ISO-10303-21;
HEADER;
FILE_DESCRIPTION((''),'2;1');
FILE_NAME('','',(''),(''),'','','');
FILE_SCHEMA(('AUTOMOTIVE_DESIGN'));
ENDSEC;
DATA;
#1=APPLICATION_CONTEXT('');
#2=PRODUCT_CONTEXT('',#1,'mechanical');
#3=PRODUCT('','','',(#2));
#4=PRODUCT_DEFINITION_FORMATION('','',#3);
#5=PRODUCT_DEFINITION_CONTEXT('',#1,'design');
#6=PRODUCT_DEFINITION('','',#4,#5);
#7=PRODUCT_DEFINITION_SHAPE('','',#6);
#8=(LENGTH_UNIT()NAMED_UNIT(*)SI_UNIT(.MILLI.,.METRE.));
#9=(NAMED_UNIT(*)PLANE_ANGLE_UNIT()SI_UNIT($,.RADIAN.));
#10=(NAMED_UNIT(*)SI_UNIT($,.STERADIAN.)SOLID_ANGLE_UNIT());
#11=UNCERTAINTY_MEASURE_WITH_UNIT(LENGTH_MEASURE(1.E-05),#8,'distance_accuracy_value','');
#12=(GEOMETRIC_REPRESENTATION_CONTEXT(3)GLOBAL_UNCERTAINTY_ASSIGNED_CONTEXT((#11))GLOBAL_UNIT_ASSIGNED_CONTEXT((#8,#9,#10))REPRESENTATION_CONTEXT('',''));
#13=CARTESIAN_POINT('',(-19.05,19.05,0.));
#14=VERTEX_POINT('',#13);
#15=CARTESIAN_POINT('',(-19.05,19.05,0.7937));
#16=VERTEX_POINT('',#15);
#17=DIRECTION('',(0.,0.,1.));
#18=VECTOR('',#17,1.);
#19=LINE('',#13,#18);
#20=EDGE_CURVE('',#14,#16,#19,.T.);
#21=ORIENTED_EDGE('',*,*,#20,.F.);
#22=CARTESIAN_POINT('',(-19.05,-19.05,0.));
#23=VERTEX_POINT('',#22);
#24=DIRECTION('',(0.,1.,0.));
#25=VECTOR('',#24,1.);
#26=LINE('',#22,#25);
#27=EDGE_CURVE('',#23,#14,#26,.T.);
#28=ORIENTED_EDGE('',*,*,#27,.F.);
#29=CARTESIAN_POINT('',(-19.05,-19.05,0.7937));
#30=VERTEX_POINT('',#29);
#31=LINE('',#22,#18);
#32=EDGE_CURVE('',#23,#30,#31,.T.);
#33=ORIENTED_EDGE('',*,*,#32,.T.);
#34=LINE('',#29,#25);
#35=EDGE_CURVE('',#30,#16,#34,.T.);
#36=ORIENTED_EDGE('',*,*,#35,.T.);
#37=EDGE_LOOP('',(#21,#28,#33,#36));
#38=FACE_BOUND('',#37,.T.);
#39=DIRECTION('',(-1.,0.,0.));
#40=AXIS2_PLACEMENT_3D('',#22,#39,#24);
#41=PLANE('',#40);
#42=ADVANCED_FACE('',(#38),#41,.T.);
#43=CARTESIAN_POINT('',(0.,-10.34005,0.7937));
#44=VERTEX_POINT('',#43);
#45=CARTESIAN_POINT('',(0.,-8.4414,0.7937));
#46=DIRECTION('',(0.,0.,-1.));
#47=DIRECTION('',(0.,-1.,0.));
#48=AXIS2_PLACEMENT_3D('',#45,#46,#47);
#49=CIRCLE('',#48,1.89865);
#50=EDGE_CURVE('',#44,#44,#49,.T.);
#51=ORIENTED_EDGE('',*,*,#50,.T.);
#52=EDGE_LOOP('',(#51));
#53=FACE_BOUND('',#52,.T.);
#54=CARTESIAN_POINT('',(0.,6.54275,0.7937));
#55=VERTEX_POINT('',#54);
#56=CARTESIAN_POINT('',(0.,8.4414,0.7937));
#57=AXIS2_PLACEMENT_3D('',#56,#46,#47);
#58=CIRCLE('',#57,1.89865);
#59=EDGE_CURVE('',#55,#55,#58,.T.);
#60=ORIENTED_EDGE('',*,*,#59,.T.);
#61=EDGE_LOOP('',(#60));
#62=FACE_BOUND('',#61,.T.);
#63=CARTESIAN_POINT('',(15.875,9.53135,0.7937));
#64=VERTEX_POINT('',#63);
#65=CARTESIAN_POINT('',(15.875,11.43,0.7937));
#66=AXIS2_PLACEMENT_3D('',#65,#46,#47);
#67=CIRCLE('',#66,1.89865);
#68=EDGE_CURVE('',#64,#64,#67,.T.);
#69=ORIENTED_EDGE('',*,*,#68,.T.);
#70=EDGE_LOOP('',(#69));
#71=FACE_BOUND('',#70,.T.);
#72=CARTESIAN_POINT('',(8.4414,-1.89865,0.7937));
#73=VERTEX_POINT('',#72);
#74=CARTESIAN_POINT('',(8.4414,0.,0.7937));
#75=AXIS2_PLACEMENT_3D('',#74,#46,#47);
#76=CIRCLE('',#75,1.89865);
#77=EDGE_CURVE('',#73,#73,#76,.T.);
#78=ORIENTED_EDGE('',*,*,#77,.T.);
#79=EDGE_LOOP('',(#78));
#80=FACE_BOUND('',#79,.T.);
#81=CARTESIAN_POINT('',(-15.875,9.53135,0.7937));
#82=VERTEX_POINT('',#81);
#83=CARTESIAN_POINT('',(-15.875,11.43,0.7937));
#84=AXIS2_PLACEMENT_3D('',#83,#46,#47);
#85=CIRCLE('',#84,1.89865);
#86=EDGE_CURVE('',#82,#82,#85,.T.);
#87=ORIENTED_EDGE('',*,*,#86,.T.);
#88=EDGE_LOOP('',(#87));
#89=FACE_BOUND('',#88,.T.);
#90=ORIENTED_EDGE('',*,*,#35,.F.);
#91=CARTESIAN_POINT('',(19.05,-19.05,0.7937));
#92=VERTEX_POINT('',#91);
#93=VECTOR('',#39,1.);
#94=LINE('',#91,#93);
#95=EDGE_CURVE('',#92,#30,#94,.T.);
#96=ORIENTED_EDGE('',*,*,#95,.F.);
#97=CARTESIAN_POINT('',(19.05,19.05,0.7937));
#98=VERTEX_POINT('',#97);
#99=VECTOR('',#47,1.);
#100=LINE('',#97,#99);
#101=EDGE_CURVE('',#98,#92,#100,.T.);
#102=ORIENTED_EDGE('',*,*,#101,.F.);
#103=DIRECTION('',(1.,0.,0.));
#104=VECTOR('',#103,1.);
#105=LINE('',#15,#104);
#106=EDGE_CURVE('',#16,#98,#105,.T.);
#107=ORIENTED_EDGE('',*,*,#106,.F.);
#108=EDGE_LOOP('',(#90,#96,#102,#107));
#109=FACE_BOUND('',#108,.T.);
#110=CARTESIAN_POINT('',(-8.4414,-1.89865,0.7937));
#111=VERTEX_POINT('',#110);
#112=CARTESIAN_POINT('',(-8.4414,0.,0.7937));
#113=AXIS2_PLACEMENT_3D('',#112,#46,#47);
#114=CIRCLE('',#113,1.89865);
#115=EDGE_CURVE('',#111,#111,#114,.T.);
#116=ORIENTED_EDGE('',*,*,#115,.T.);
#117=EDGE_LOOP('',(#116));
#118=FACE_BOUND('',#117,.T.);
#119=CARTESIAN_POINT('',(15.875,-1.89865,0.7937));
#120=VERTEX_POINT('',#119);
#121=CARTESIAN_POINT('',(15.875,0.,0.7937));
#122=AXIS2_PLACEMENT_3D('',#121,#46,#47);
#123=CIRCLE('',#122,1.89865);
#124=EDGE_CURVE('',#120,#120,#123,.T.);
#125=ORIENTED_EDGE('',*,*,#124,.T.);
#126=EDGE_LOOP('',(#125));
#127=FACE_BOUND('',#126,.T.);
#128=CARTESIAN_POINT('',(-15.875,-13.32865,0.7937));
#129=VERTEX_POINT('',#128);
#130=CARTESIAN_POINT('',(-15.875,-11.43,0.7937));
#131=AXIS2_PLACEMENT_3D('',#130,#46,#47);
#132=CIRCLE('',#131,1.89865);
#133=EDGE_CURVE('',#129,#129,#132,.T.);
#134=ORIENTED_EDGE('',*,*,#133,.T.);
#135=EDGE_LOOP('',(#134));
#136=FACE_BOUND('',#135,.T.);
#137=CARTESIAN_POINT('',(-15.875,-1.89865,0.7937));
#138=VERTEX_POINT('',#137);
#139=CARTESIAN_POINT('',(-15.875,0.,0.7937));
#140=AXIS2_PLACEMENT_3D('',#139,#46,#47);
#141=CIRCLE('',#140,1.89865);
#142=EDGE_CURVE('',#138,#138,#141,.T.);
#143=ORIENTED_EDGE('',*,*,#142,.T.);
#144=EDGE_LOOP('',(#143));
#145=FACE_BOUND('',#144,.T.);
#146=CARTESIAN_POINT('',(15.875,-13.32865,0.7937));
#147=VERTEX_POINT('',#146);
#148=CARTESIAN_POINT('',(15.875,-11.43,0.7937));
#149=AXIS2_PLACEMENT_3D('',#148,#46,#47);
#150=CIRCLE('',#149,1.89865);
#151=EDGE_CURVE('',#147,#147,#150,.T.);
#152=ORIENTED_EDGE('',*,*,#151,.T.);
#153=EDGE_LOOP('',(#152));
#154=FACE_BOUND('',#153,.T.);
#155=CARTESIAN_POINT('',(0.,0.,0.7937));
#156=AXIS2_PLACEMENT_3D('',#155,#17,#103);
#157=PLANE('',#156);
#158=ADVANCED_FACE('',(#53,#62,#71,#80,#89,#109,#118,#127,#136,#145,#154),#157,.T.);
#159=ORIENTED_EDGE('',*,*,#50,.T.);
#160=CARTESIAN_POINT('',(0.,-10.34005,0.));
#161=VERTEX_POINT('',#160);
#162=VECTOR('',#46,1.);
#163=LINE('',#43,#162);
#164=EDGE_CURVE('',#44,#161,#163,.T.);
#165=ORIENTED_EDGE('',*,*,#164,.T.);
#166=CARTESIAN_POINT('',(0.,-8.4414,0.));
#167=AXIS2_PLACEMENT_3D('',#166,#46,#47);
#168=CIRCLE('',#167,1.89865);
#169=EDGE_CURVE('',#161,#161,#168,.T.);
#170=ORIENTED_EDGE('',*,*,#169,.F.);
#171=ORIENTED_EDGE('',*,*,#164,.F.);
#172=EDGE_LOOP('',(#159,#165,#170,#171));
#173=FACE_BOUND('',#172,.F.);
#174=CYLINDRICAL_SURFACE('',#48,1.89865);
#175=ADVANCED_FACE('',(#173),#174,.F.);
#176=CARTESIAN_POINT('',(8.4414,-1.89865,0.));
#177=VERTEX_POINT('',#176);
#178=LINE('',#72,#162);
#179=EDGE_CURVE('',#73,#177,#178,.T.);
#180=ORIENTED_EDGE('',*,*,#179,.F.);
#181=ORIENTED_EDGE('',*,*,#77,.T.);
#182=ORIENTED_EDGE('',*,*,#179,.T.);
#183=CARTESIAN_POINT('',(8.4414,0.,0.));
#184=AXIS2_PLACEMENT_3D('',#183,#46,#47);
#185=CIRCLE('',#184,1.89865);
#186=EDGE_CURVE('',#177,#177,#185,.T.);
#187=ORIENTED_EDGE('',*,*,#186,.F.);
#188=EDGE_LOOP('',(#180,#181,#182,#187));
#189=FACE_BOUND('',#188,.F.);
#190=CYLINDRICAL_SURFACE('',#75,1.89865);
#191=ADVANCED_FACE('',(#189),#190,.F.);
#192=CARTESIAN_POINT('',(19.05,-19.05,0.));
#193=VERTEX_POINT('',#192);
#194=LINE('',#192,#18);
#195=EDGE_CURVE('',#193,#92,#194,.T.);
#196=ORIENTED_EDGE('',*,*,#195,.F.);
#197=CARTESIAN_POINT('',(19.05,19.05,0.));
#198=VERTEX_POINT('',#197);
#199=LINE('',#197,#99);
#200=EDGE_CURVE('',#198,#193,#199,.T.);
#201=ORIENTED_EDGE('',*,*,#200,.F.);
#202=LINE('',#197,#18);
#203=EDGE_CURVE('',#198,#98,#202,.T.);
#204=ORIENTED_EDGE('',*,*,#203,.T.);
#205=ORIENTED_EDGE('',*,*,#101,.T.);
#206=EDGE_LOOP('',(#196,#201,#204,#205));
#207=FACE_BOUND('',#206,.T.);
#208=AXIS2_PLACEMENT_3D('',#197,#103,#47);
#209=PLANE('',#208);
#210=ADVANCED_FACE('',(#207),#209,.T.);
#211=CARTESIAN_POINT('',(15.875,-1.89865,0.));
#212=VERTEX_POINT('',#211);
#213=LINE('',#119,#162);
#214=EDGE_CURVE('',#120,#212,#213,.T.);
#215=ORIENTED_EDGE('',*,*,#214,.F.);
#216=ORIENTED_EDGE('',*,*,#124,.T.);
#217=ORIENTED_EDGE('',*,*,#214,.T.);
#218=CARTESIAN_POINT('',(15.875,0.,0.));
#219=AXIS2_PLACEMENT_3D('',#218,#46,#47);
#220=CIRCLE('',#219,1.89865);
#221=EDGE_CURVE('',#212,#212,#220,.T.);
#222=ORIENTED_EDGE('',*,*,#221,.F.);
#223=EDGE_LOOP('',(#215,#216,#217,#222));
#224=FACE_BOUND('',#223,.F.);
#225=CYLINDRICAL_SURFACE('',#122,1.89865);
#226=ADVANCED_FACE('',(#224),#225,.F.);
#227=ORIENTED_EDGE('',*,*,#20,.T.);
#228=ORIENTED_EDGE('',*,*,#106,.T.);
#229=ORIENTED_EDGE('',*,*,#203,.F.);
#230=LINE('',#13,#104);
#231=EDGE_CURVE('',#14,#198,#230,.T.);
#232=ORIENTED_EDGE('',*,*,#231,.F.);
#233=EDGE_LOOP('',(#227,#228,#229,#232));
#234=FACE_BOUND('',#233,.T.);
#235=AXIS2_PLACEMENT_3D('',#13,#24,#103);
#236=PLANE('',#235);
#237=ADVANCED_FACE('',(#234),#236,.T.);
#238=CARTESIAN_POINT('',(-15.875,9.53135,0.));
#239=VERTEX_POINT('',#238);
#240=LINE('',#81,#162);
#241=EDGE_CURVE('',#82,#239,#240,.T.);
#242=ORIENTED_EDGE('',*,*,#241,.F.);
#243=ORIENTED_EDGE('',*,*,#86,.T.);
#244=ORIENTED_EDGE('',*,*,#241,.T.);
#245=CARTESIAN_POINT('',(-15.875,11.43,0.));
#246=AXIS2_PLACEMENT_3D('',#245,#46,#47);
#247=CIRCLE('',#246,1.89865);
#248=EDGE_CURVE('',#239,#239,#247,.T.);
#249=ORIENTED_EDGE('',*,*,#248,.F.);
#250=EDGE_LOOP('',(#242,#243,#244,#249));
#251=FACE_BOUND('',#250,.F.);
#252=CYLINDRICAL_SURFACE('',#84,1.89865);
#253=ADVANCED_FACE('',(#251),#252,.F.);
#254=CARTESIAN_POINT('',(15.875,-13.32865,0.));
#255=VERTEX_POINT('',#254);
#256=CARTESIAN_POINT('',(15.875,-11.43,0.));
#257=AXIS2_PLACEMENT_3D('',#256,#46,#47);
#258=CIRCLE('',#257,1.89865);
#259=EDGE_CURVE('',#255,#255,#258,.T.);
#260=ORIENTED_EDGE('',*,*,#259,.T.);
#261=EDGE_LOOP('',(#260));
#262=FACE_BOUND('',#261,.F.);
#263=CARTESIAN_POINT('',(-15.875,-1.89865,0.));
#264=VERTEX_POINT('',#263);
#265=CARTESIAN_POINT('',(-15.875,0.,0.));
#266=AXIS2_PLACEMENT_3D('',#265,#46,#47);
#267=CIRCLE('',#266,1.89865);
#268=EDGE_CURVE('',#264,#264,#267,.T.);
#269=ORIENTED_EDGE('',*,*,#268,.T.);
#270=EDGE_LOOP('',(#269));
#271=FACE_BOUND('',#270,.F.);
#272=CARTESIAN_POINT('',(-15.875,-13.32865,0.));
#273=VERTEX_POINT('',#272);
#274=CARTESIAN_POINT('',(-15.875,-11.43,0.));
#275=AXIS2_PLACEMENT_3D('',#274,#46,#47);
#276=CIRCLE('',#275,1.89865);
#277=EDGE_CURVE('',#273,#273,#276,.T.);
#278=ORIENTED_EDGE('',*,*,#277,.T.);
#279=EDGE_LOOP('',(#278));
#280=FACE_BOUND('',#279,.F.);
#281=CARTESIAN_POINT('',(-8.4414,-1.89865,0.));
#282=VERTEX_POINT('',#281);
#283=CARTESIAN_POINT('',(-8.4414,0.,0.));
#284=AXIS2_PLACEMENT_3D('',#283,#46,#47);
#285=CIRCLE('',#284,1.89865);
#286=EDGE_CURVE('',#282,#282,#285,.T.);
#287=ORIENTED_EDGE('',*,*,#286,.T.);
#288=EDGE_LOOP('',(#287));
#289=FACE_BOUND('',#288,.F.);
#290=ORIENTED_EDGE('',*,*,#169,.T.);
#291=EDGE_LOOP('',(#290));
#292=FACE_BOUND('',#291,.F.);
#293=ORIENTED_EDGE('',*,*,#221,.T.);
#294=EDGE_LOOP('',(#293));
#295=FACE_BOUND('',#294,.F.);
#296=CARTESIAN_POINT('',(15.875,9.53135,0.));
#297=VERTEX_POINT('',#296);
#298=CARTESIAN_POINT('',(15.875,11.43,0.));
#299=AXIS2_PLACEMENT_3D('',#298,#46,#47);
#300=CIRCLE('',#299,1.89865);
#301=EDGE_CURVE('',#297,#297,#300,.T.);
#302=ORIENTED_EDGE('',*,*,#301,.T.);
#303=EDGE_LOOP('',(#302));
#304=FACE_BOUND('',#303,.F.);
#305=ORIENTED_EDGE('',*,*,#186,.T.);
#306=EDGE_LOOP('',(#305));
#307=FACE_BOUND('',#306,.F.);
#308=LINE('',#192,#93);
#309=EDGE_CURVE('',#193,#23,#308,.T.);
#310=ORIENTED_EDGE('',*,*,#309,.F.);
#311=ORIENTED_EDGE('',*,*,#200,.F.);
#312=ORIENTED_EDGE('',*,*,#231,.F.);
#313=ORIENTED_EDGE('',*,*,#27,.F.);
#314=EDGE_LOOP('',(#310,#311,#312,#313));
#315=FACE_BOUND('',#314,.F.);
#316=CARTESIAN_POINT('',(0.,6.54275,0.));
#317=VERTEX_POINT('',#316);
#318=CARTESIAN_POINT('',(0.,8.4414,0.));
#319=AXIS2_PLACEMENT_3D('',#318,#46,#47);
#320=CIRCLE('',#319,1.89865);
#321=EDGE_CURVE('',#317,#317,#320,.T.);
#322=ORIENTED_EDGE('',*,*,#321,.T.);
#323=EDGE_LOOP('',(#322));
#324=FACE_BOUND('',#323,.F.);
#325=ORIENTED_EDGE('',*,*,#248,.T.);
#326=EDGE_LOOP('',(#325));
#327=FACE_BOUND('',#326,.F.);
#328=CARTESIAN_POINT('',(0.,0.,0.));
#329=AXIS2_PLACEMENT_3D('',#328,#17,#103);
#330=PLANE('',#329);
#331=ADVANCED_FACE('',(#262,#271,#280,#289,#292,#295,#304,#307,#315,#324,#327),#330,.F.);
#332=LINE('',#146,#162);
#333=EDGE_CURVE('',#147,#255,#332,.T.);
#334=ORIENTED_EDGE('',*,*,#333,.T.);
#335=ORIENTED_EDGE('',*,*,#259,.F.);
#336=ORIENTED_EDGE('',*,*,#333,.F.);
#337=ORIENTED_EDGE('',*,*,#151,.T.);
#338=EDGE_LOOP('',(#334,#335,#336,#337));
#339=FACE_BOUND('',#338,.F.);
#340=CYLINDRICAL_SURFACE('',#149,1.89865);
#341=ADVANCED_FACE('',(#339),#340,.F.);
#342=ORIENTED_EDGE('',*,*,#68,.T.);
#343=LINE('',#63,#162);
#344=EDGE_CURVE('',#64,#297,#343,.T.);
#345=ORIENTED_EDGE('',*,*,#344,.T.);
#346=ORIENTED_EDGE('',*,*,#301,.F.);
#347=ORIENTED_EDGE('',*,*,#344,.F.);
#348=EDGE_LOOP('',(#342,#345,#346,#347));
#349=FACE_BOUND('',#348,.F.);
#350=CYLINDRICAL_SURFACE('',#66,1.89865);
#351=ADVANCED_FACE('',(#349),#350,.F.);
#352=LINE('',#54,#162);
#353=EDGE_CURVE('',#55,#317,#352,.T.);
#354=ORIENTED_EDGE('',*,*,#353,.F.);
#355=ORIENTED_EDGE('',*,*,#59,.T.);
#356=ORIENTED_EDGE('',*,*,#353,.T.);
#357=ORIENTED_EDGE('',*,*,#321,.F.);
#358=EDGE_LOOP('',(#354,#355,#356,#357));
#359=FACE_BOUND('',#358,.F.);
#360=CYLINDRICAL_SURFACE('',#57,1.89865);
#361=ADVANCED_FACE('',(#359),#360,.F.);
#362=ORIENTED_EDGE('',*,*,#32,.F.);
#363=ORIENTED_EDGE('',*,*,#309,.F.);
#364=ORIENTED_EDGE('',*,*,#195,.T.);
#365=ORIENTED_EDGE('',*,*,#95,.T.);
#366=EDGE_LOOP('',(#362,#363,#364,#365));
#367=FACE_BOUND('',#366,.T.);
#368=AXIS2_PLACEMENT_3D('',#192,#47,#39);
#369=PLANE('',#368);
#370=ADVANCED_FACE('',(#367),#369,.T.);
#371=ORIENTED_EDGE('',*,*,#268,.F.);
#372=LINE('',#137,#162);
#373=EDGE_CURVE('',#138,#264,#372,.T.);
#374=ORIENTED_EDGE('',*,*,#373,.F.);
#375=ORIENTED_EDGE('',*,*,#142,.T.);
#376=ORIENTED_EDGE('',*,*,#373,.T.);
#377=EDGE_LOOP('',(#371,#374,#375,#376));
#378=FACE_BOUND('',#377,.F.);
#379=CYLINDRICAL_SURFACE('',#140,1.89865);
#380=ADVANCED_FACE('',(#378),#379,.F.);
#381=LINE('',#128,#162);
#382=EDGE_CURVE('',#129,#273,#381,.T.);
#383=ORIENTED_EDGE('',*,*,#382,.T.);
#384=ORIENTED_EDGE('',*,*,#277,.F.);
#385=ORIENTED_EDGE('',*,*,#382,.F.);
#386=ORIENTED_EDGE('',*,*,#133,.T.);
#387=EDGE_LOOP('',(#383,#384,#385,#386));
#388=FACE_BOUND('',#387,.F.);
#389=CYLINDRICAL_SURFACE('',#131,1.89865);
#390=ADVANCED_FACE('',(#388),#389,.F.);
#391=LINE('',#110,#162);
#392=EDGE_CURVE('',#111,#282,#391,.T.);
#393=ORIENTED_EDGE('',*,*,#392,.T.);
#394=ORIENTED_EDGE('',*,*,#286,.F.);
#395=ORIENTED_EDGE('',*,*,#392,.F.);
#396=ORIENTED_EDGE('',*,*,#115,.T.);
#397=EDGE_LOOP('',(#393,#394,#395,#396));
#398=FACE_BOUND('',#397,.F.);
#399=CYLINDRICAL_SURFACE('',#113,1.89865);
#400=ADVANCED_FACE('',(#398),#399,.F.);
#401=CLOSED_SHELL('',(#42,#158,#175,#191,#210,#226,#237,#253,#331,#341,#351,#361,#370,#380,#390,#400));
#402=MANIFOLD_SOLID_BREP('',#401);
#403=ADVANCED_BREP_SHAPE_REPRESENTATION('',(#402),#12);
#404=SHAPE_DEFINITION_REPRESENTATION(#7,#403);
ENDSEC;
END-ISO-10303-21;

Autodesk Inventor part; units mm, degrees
ref_plane "YZ Plane" through (0, 0, 0) normal (1, 0, 0) x (0, 1, 0)
ref_plane "XZ Plane" through (0, 0, 0) normal (0, 1, 0) x (-1, 0, 0)
ref_plane "XY Plane" through (0, 0, 0) normal (0, 0, 1) x (1, 0, 0)
sketch "adapter-hole-geometry" plane through (0, 0, 0) normal (0, 0, 1) x (1, 0, 0)
  line L0 (15.875, -11.43) -> (-15.875, -11.43) construction
  line L1 (-15.875, -11.43) -> (-15.875, 11.43) construction
  line L2 (-15.875, 11.43) -> (15.875, 11.43) construction
  line L3 (15.875, 11.43) -> (15.875, -11.43) construction
  line L4 (15.875, -11.43) -> (-15.875, 11.43) construction
  line L5 (-15.875, -11.43) -> (15.875, 11.43) construction
  line L6 (11.43, -15.875) -> (-11.43, -15.875) construction
  line L7 (-11.43, -15.875) -> (-11.43, 15.875) construction
  line L8 (-11.43, 15.875) -> (11.43, 15.875) construction
  line L9 (11.43, 15.875) -> (11.43, -15.875) construction
  line L10 (11.43, -15.875) -> (-11.43, 15.875) construction
  line L11 (-11.43, -15.875) -> (11.43, 15.875) construction
  line L12 (0, -8.4414) -> (8.4414, 0) construction
  line L13 (8.4414, 0) -> (0, 8.4414) construction
  line L14 (0, 8.4414) -> (-8.4414, 0) construction
  line L15 (-8.4414, 0) -> (0, -8.4414) construction
  line L16 (-5.969, -5.969) -> (5.969, 5.969) construction
  line L17 (5.969, -5.969) -> (-5.969, 5.969) construction
  line L18 (-8.4414, -8.4414) -> (8.4414, -8.4414) construction
  line L19 (8.4414, -8.4414) -> (8.4414, 8.4414) construction
  line L20 (8.4414, 8.4414) -> (-8.4414, 8.4414) construction
  line L21 (-8.4414, 8.4414) -> (-8.4414, -8.4414) construction
  line L22 (-8.4414, -8.4414) -> (8.4414, 8.4414) construction
  line L23 (8.4414, -8.4414) -> (-8.4414, 8.4414) construction
  point P0 (0, 0)
  point P1 (0, 8.4414)
  point P2 (8.4414, 0)
  dimension "d29" = 31.75
  dimension "d30" = 22.86
  dimension "d31" = 22.86
  dimension "d32" = 31.75
  dimension "d33" = 11.938
  dimension "d34" = 11.938
  dimension "d42" = 16.8829
  dimension "d43" = 16.8829
  dimension "d58" = 4.445
  dimension "d59" = 7.4336
  dimension "d60" = 5.969
  dimension "d61" = 5.969
  dimension "d62" = 4.445
  dimension "d63" = 7.4336
  dimension "d64" = 9.906
  dimension "d65" = 9.906
  dimension "d66" = 15.875
  dimension "d67" = 5.969
  dimension "d68" = 21.844
  dimension "d69" = 21.844
sketch "Sketch1" plane through (0, 0, 0) normal (0, 0, 1) x (1, 0, 0)
  line L0 (19.05, -19.05) -> (-19.05, -19.05)
  line L1 (-19.05, -19.05) -> (-19.05, 19.05)
  line L2 (-19.05, 19.05) -> (19.05, 19.05)
  line L3 (19.05, 19.05) -> (19.05, -19.05)
  line L4 (19.05, -19.05) -> (-19.05, 19.05) construction
  line L5 (-19.05, -19.05) -> (19.05, 19.05) construction
  point P0 (0, 0)
  dimension "d0" = 38.1
  dimension "d1" = 38.1
extrude "Extrusion1" add sketch "Sketch1" along normal blind 0.7937
sketch "Sketch4" plane through (0, 0, 0.7937) normal (0, 0, 1) x (1, 0, 0)
  line L0 (-19.05, -19.05) -> (19.05, -19.05) construction
  line L1 (19.05, -19.05) -> (19.05, 19.05) construction
  line L2 (19.05, 19.05) -> (-19.05, 19.05) construction
  line L3 (-19.05, 19.05) -> (-19.05, -19.05) construction
  point P0 (0, 0)
  point P1 (-15.875, 11.43)
  point P2 (-15.875, 0)
  point P3 (-15.875, -11.43)
  point P4 (15.875, -11.43)
  point P5 (15.875, 0)
  point P6 (15.875, 11.43)
  point P7 (0, 8.4414)
  point P8 (-8.4414, 0)
  point P9 (0, -8.4414)
  point P10 (8.4414, 0)
  dimension "d44" = 3.175
  dimension "d45" = 3.175
  dimension "d46" = 7.62
  dimension "d47" = 3.175
  dimension "d48" = 7.62
  dimension "d49" = 3.175
  dimension "d50" = 7.62
hole "Hole3" at (-15.875, 11.43, 0.7937) at (-15.875, 0, 0.7937) at (-15.875, -11.43, 0.7937) at (15.875, -11.43, 0.7937) at (15.875, 0, 0.7937) at (15.875, 11.43, 0.7937) at (0, 8.4414, 0.7937) at (-8.4414, 0, 0.7937) at (0, -8.4414, 0.7937) at (8.4414, 0, 0.7937) direction (0, 0, -1) diameter 3.7973 end through all
properties part number "goniometer_stage_shim_v1" material "Stainless Steel AISI 304"
